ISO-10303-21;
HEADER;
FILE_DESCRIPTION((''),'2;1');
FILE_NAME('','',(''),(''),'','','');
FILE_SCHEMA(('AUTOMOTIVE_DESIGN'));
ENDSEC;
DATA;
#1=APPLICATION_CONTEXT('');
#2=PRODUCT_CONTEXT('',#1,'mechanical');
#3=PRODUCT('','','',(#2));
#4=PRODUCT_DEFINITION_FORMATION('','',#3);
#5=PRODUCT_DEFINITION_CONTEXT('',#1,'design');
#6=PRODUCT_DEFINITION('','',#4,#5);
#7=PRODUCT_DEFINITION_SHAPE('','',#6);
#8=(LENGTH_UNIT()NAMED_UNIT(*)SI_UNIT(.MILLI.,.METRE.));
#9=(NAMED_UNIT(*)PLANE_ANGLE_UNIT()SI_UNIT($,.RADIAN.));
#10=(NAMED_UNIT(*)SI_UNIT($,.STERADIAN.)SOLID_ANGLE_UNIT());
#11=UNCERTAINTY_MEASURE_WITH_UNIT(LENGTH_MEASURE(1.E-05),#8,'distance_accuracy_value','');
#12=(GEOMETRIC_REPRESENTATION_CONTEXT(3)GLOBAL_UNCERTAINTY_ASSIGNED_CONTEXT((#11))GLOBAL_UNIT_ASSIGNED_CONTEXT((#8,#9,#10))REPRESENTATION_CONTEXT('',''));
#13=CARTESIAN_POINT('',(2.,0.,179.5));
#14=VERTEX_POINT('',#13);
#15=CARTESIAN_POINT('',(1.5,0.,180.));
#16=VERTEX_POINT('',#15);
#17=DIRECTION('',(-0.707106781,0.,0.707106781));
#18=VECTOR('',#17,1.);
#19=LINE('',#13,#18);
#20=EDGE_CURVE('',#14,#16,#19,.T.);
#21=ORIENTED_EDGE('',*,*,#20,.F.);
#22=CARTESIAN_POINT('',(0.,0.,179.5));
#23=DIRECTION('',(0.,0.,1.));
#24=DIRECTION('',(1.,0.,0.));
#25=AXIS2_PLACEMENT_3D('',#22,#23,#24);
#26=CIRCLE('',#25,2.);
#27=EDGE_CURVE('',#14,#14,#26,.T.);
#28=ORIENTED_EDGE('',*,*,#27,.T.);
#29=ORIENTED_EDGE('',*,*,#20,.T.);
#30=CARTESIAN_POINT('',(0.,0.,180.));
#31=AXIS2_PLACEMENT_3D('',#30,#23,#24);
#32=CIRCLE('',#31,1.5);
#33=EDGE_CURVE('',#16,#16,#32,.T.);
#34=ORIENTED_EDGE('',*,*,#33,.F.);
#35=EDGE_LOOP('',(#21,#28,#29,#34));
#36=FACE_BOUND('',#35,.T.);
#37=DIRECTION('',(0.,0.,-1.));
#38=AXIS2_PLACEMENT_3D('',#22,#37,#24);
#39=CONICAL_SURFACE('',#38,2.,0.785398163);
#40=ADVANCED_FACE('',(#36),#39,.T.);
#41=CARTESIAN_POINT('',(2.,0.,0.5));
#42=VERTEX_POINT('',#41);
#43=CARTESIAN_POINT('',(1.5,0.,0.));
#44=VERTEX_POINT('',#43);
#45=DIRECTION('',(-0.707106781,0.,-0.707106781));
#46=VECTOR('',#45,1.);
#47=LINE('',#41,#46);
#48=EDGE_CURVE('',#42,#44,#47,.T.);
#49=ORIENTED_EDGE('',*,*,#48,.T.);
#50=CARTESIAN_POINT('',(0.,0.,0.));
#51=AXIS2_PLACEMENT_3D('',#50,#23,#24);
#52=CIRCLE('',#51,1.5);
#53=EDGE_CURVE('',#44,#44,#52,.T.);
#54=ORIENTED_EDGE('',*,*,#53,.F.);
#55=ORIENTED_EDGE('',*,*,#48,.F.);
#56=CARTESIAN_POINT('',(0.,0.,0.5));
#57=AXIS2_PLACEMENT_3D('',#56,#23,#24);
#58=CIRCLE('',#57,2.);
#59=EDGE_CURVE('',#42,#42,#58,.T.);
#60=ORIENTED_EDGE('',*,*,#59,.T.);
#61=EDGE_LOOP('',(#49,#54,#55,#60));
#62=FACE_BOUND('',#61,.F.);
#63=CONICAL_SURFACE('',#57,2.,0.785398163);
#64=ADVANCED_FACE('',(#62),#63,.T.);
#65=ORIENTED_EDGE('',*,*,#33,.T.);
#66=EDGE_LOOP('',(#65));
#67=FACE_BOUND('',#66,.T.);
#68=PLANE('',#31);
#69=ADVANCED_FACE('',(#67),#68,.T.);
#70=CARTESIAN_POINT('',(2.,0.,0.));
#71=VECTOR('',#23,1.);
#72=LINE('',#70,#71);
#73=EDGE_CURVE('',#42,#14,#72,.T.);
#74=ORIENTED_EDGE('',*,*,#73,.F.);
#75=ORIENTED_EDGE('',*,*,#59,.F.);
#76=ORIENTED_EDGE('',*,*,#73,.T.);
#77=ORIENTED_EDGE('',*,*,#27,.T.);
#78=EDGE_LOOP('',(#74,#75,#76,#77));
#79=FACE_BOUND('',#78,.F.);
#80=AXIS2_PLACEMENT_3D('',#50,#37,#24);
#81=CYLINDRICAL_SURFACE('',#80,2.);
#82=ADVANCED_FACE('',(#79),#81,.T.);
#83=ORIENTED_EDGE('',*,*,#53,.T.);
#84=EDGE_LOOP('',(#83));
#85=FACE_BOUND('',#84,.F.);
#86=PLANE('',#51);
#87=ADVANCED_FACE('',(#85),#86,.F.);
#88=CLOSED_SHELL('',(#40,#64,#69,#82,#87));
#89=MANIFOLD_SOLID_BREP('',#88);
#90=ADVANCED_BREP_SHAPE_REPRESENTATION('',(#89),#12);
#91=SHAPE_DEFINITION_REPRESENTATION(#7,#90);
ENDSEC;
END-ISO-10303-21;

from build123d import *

# Parameters (mm, degrees)
SKETCH_R     = 2
PAD_DEPTH    = 180
CHAMFER_SIZE = 0.5


with BuildPart() as part:
    # Sketch → Pad (new body)
    with BuildSketch(Plane.XY):
        Circle(SKETCH_R)
    extrude(amount=PAD_DEPTH)

    # Chamfer
    chamfer_edges = [part.edges().sort_by_distance(p)[0] for p in [
        (-2, 0, 180),
        (-2, 0, 0),
    ]]
    chamfer(chamfer_edges, length=CHAMFER_SIZE)


solid = part.part
